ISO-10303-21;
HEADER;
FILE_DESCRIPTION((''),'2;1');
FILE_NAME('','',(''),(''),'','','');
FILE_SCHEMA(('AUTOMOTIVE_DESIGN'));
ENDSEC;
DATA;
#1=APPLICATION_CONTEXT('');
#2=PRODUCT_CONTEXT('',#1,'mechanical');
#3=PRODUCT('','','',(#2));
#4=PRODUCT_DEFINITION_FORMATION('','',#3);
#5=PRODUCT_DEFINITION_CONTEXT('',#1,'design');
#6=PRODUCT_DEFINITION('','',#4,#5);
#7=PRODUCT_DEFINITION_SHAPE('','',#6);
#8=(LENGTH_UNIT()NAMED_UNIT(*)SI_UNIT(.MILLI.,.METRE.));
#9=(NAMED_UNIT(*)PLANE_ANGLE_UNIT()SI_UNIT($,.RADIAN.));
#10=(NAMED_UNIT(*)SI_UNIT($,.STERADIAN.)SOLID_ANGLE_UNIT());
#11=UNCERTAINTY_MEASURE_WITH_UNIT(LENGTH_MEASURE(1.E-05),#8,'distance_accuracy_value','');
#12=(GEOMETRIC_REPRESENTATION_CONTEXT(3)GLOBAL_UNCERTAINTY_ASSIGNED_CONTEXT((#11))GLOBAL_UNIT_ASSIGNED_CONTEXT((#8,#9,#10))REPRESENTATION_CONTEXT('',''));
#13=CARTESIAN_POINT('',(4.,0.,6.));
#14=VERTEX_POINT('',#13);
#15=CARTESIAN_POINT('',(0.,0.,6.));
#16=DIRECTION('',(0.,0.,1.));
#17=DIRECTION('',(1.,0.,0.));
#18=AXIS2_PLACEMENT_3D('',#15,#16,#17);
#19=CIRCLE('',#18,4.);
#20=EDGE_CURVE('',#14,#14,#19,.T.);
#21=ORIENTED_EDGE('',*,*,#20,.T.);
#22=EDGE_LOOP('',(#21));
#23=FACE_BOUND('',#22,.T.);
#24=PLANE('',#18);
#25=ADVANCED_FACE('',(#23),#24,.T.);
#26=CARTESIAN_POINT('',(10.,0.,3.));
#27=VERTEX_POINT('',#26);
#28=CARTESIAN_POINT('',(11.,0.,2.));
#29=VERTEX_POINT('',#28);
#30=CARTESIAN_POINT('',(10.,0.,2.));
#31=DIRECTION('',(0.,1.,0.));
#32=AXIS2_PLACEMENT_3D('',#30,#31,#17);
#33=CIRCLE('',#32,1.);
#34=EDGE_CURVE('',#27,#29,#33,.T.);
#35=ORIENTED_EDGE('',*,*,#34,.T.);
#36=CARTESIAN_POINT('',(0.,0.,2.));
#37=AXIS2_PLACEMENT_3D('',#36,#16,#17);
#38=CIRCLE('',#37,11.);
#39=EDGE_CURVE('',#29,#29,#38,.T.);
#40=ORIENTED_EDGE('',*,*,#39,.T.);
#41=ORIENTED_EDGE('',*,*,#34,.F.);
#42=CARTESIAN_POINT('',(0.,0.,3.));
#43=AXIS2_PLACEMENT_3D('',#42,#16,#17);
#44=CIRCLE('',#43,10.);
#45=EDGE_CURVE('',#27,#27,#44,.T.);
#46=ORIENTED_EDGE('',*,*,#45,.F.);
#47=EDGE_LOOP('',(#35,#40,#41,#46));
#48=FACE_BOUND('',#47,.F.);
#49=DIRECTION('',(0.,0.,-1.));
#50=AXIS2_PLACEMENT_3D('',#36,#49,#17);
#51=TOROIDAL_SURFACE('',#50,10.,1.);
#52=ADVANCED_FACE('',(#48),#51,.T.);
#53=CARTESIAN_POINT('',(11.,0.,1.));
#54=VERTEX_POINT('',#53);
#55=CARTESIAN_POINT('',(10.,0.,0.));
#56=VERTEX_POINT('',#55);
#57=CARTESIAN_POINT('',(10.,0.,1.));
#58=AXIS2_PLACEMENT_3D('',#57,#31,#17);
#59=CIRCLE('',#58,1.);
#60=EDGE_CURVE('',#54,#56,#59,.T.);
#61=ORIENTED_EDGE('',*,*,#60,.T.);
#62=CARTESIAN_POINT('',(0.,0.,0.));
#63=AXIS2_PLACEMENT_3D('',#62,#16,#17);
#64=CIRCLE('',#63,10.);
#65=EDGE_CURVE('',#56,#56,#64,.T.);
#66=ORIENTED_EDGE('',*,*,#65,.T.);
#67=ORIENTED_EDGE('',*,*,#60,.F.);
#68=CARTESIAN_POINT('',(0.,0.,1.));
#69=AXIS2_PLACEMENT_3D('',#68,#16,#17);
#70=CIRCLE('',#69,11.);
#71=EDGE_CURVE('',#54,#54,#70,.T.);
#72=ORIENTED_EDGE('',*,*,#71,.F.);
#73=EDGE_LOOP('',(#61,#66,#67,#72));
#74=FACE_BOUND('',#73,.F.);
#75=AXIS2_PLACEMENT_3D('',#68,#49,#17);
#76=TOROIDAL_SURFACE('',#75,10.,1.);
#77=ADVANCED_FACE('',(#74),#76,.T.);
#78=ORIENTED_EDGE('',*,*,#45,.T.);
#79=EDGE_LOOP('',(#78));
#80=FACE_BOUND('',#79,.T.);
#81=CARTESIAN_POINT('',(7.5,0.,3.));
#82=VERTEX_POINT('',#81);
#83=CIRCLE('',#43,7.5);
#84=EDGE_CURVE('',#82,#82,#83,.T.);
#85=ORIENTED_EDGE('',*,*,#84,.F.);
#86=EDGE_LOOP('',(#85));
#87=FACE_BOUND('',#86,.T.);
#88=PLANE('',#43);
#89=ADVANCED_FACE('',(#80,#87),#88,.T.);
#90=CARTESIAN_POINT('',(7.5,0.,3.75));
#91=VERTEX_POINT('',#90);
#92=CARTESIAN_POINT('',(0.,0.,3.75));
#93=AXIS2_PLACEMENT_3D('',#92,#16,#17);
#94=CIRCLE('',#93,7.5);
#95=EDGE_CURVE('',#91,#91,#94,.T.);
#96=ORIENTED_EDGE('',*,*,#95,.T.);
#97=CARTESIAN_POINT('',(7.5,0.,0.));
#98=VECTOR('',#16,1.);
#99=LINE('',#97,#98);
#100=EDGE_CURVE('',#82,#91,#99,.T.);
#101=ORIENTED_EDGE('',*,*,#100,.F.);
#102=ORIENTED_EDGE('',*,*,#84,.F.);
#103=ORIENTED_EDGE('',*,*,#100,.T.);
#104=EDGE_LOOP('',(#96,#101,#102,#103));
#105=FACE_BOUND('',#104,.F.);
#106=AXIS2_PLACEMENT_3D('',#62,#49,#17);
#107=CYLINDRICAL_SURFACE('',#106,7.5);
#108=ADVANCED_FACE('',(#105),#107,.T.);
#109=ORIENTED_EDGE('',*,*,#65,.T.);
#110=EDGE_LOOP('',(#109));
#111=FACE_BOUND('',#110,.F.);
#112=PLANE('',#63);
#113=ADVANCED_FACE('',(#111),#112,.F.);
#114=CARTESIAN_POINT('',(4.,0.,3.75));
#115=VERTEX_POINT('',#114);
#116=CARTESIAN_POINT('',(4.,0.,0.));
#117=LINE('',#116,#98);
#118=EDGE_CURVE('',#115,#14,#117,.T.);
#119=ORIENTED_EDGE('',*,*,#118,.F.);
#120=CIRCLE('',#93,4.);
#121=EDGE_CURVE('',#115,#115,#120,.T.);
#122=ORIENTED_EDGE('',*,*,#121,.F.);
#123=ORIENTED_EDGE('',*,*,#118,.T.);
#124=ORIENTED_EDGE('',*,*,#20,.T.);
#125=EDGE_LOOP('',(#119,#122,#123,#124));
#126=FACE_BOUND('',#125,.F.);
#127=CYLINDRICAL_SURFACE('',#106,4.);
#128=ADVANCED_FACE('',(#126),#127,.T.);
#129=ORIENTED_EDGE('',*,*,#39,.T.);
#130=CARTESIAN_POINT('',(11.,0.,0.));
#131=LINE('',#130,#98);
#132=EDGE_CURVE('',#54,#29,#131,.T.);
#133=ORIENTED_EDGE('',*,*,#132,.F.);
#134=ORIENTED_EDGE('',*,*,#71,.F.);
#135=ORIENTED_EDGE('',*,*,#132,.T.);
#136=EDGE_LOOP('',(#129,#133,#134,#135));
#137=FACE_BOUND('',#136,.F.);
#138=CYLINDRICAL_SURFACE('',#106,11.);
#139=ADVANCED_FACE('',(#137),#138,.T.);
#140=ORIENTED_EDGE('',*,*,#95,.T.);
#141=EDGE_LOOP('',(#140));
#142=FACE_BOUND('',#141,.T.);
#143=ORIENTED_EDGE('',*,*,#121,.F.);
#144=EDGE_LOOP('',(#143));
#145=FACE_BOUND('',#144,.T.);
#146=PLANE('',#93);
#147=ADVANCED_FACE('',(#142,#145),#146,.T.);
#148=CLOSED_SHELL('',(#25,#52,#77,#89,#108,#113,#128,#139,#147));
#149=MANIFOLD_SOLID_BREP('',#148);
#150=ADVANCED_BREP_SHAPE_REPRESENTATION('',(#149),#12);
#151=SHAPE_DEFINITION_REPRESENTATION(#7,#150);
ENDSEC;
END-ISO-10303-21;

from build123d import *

# Parameters (mm, degrees)
F0_R     = 11
F0_R_2   = 7.5
F1_DEPTH = 3
F0_R_3   = 4
F2_DEPTH = 3.75
F3_DEPTH = 6
F4_R     = 1


with BuildPart() as f1:
    # F0 (on Top) → F1 (new body)
    with BuildSketch(Plane.XY):
        Circle(F0_R)
        Circle(F0_R_2, mode=Mode.SUBTRACT)
    extrude(amount=F1_DEPTH)

    # F0 (on Top) → F2 (join)
    with BuildSketch(Plane.XY):
        Circle(F0_R_2)
        Circle(F0_R_3, mode=Mode.SUBTRACT)
    extrude(amount=F2_DEPTH)

    # F0 (on Top) → F3 (join)
    with BuildSketch(Plane.XY):
        Circle(F0_R_3)
    extrude(amount=F3_DEPTH)

    # F4
    f4_edges = [f1.edges().sort_by_distance(p)[0] for p in [
        (-11, 0, 0),
        (-11, 0, 3),
    ]]
    fillet(f4_edges, radius=F4_R)


solid = f1.part
